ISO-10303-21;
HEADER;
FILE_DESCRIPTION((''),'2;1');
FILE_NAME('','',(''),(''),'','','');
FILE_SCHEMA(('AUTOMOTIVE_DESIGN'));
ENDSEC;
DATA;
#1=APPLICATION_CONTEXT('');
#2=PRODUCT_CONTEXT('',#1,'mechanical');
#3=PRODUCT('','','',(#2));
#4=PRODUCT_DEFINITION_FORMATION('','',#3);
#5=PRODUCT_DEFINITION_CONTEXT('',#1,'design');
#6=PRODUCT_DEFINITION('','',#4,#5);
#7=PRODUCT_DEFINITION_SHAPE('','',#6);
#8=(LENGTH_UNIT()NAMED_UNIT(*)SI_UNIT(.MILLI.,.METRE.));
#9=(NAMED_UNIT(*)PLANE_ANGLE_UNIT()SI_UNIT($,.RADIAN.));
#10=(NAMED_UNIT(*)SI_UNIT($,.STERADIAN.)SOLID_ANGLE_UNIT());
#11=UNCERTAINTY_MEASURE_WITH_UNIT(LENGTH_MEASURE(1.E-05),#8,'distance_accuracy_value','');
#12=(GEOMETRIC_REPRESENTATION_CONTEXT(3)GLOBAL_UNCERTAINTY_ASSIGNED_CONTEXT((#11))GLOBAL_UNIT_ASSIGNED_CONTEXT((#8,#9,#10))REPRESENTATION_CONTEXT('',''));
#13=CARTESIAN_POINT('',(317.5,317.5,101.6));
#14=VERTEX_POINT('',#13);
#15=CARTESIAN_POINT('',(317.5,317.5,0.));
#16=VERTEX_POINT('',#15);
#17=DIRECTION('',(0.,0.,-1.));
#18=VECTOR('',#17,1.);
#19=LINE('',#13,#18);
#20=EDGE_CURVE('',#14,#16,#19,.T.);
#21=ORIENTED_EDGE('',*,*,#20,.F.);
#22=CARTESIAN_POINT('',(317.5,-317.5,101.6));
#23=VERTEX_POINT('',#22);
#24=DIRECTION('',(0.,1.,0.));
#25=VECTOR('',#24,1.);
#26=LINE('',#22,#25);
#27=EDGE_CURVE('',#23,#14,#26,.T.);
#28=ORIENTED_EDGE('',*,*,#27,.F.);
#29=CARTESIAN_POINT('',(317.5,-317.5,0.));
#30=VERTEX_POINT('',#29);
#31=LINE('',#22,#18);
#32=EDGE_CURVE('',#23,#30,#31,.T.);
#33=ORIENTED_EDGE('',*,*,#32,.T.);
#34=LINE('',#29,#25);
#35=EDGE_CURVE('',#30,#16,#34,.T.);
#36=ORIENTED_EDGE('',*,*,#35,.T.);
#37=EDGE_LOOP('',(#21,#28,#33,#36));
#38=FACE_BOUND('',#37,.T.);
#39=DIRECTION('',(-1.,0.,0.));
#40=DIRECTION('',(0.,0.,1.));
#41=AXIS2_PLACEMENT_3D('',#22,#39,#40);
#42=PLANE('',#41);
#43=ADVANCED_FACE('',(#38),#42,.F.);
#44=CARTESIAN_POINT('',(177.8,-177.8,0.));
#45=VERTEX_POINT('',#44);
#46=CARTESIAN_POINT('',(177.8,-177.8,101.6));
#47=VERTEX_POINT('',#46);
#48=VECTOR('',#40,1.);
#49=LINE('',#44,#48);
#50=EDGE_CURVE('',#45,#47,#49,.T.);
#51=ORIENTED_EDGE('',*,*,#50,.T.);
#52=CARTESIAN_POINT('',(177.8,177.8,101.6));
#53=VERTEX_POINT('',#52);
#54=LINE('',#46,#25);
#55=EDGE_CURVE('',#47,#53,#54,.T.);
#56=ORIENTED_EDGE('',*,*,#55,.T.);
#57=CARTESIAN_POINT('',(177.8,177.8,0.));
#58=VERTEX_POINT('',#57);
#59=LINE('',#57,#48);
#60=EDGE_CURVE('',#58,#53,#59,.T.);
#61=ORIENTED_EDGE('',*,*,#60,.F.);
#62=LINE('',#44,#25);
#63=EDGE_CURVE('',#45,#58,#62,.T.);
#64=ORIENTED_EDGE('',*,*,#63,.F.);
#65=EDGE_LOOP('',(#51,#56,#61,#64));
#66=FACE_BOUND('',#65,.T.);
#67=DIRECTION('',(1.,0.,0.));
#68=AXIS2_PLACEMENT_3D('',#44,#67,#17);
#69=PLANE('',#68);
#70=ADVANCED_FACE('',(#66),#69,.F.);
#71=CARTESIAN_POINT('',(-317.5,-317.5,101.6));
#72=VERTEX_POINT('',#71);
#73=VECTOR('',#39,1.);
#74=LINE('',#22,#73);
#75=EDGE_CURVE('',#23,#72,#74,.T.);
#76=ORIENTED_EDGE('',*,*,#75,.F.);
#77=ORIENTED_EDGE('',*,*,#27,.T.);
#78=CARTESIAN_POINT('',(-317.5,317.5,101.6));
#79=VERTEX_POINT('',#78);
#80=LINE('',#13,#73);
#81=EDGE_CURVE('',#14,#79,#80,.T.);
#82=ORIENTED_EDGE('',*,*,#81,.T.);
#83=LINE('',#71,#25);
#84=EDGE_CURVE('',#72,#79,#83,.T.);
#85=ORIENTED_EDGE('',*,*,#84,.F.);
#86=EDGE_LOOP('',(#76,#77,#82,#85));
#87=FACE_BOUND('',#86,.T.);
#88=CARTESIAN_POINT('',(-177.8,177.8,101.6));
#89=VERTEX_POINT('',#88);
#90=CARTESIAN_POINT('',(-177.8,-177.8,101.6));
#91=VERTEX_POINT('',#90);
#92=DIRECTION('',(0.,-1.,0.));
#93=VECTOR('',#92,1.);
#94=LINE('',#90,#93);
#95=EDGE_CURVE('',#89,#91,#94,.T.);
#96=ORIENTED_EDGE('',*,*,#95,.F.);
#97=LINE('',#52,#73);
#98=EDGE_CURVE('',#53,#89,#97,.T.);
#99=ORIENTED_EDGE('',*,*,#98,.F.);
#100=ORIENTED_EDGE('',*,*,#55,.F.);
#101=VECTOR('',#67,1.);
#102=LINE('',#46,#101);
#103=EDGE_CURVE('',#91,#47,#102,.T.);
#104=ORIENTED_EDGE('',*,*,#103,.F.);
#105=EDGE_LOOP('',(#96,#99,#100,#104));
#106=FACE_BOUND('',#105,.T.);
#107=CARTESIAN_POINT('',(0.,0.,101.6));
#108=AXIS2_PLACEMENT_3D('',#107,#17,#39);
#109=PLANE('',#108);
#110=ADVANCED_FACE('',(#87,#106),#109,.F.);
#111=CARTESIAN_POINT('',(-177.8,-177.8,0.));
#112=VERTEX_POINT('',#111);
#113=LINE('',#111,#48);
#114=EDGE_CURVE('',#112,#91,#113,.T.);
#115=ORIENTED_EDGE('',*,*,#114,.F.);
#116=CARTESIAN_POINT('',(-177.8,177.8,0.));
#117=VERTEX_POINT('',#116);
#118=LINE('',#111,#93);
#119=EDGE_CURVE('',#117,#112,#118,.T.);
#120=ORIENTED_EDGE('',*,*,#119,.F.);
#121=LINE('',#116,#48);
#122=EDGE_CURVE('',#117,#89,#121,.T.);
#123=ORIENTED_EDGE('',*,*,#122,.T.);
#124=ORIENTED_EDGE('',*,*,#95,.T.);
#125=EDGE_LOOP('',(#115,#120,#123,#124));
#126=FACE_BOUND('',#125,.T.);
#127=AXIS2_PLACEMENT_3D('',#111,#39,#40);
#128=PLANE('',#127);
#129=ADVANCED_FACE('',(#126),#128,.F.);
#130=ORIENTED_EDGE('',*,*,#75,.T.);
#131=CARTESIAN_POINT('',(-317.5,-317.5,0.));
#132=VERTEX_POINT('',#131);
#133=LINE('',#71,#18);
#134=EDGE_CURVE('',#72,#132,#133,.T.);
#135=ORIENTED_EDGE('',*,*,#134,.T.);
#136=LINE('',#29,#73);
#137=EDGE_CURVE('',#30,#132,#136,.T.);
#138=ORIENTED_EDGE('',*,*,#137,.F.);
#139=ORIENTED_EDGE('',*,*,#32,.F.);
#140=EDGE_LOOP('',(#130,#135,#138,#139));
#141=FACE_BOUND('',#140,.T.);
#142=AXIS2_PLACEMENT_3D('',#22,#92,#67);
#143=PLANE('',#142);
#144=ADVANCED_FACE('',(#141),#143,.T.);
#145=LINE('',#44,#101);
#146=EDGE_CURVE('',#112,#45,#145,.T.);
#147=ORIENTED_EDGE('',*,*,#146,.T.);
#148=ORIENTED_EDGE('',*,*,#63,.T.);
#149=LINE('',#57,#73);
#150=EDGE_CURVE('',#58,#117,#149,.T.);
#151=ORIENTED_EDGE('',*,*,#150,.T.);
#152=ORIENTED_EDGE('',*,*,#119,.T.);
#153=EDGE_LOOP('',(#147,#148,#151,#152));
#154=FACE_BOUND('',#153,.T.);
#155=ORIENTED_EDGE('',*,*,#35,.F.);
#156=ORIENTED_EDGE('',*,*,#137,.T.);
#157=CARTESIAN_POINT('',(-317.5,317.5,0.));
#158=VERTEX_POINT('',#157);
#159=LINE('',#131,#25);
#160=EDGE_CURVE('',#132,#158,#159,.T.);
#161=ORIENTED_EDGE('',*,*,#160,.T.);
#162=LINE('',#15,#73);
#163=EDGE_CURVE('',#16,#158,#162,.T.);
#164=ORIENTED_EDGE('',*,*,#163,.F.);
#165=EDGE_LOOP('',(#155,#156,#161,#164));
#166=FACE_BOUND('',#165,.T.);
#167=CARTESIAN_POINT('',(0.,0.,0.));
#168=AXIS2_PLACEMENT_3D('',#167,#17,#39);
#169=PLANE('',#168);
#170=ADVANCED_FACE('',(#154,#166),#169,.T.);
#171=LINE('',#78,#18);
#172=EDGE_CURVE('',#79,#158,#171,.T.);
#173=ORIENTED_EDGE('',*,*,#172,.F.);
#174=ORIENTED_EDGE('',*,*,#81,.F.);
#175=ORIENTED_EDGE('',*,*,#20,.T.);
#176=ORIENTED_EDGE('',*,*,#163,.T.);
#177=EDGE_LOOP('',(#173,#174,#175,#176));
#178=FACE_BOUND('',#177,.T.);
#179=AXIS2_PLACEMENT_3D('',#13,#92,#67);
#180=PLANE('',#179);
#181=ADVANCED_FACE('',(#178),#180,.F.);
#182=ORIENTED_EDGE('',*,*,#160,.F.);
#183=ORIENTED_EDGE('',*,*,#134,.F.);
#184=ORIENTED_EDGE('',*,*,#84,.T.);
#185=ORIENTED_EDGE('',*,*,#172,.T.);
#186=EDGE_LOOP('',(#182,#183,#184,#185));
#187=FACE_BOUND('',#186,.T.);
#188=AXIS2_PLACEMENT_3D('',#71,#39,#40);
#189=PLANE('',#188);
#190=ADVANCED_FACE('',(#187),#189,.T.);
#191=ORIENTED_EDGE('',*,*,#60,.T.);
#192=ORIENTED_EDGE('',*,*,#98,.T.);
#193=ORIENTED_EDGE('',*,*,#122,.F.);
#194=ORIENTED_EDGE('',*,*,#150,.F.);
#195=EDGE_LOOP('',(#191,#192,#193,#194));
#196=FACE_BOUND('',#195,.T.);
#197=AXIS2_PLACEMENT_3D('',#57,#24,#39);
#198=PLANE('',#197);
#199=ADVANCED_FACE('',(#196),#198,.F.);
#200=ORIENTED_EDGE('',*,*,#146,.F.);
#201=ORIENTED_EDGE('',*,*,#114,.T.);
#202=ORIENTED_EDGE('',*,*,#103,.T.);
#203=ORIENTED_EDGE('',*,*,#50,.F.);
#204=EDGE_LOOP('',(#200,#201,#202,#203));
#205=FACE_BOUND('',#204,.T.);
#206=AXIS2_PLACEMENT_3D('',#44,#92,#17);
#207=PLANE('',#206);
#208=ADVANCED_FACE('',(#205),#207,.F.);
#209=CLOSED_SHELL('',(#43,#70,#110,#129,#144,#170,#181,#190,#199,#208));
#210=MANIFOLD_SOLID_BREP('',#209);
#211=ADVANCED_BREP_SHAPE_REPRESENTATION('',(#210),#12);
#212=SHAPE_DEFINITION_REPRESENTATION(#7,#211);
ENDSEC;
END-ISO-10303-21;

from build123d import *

# Parameters (mm, degrees)
SKETCH1_W           = 635
SKETCH1_H           = 635
BOSS_EXTRUDE1_DEPTH = 101.6
SKETCH2_W           = 355.6
SKETCH2_H           = 355.6
CUT_EXTRUDE1_DEPTH  = 101.6


with BuildPart() as part:
    # Sketch1 → Boss-Extrude1 (new body)
    with BuildSketch(Plane.XY):
        Rectangle(SKETCH1_W, SKETCH1_H)
    extrude(amount=BOSS_EXTRUDE1_DEPTH)

    # Sketch2 → Cut-Extrude1 (cut)
    with BuildSketch(Plane.XY.offset(101.6)):
        Rectangle(SKETCH2_W, SKETCH2_H)
    extrude(amount=-CUT_EXTRUDE1_DEPTH, mode=Mode.SUBTRACT)


solid = part.part
